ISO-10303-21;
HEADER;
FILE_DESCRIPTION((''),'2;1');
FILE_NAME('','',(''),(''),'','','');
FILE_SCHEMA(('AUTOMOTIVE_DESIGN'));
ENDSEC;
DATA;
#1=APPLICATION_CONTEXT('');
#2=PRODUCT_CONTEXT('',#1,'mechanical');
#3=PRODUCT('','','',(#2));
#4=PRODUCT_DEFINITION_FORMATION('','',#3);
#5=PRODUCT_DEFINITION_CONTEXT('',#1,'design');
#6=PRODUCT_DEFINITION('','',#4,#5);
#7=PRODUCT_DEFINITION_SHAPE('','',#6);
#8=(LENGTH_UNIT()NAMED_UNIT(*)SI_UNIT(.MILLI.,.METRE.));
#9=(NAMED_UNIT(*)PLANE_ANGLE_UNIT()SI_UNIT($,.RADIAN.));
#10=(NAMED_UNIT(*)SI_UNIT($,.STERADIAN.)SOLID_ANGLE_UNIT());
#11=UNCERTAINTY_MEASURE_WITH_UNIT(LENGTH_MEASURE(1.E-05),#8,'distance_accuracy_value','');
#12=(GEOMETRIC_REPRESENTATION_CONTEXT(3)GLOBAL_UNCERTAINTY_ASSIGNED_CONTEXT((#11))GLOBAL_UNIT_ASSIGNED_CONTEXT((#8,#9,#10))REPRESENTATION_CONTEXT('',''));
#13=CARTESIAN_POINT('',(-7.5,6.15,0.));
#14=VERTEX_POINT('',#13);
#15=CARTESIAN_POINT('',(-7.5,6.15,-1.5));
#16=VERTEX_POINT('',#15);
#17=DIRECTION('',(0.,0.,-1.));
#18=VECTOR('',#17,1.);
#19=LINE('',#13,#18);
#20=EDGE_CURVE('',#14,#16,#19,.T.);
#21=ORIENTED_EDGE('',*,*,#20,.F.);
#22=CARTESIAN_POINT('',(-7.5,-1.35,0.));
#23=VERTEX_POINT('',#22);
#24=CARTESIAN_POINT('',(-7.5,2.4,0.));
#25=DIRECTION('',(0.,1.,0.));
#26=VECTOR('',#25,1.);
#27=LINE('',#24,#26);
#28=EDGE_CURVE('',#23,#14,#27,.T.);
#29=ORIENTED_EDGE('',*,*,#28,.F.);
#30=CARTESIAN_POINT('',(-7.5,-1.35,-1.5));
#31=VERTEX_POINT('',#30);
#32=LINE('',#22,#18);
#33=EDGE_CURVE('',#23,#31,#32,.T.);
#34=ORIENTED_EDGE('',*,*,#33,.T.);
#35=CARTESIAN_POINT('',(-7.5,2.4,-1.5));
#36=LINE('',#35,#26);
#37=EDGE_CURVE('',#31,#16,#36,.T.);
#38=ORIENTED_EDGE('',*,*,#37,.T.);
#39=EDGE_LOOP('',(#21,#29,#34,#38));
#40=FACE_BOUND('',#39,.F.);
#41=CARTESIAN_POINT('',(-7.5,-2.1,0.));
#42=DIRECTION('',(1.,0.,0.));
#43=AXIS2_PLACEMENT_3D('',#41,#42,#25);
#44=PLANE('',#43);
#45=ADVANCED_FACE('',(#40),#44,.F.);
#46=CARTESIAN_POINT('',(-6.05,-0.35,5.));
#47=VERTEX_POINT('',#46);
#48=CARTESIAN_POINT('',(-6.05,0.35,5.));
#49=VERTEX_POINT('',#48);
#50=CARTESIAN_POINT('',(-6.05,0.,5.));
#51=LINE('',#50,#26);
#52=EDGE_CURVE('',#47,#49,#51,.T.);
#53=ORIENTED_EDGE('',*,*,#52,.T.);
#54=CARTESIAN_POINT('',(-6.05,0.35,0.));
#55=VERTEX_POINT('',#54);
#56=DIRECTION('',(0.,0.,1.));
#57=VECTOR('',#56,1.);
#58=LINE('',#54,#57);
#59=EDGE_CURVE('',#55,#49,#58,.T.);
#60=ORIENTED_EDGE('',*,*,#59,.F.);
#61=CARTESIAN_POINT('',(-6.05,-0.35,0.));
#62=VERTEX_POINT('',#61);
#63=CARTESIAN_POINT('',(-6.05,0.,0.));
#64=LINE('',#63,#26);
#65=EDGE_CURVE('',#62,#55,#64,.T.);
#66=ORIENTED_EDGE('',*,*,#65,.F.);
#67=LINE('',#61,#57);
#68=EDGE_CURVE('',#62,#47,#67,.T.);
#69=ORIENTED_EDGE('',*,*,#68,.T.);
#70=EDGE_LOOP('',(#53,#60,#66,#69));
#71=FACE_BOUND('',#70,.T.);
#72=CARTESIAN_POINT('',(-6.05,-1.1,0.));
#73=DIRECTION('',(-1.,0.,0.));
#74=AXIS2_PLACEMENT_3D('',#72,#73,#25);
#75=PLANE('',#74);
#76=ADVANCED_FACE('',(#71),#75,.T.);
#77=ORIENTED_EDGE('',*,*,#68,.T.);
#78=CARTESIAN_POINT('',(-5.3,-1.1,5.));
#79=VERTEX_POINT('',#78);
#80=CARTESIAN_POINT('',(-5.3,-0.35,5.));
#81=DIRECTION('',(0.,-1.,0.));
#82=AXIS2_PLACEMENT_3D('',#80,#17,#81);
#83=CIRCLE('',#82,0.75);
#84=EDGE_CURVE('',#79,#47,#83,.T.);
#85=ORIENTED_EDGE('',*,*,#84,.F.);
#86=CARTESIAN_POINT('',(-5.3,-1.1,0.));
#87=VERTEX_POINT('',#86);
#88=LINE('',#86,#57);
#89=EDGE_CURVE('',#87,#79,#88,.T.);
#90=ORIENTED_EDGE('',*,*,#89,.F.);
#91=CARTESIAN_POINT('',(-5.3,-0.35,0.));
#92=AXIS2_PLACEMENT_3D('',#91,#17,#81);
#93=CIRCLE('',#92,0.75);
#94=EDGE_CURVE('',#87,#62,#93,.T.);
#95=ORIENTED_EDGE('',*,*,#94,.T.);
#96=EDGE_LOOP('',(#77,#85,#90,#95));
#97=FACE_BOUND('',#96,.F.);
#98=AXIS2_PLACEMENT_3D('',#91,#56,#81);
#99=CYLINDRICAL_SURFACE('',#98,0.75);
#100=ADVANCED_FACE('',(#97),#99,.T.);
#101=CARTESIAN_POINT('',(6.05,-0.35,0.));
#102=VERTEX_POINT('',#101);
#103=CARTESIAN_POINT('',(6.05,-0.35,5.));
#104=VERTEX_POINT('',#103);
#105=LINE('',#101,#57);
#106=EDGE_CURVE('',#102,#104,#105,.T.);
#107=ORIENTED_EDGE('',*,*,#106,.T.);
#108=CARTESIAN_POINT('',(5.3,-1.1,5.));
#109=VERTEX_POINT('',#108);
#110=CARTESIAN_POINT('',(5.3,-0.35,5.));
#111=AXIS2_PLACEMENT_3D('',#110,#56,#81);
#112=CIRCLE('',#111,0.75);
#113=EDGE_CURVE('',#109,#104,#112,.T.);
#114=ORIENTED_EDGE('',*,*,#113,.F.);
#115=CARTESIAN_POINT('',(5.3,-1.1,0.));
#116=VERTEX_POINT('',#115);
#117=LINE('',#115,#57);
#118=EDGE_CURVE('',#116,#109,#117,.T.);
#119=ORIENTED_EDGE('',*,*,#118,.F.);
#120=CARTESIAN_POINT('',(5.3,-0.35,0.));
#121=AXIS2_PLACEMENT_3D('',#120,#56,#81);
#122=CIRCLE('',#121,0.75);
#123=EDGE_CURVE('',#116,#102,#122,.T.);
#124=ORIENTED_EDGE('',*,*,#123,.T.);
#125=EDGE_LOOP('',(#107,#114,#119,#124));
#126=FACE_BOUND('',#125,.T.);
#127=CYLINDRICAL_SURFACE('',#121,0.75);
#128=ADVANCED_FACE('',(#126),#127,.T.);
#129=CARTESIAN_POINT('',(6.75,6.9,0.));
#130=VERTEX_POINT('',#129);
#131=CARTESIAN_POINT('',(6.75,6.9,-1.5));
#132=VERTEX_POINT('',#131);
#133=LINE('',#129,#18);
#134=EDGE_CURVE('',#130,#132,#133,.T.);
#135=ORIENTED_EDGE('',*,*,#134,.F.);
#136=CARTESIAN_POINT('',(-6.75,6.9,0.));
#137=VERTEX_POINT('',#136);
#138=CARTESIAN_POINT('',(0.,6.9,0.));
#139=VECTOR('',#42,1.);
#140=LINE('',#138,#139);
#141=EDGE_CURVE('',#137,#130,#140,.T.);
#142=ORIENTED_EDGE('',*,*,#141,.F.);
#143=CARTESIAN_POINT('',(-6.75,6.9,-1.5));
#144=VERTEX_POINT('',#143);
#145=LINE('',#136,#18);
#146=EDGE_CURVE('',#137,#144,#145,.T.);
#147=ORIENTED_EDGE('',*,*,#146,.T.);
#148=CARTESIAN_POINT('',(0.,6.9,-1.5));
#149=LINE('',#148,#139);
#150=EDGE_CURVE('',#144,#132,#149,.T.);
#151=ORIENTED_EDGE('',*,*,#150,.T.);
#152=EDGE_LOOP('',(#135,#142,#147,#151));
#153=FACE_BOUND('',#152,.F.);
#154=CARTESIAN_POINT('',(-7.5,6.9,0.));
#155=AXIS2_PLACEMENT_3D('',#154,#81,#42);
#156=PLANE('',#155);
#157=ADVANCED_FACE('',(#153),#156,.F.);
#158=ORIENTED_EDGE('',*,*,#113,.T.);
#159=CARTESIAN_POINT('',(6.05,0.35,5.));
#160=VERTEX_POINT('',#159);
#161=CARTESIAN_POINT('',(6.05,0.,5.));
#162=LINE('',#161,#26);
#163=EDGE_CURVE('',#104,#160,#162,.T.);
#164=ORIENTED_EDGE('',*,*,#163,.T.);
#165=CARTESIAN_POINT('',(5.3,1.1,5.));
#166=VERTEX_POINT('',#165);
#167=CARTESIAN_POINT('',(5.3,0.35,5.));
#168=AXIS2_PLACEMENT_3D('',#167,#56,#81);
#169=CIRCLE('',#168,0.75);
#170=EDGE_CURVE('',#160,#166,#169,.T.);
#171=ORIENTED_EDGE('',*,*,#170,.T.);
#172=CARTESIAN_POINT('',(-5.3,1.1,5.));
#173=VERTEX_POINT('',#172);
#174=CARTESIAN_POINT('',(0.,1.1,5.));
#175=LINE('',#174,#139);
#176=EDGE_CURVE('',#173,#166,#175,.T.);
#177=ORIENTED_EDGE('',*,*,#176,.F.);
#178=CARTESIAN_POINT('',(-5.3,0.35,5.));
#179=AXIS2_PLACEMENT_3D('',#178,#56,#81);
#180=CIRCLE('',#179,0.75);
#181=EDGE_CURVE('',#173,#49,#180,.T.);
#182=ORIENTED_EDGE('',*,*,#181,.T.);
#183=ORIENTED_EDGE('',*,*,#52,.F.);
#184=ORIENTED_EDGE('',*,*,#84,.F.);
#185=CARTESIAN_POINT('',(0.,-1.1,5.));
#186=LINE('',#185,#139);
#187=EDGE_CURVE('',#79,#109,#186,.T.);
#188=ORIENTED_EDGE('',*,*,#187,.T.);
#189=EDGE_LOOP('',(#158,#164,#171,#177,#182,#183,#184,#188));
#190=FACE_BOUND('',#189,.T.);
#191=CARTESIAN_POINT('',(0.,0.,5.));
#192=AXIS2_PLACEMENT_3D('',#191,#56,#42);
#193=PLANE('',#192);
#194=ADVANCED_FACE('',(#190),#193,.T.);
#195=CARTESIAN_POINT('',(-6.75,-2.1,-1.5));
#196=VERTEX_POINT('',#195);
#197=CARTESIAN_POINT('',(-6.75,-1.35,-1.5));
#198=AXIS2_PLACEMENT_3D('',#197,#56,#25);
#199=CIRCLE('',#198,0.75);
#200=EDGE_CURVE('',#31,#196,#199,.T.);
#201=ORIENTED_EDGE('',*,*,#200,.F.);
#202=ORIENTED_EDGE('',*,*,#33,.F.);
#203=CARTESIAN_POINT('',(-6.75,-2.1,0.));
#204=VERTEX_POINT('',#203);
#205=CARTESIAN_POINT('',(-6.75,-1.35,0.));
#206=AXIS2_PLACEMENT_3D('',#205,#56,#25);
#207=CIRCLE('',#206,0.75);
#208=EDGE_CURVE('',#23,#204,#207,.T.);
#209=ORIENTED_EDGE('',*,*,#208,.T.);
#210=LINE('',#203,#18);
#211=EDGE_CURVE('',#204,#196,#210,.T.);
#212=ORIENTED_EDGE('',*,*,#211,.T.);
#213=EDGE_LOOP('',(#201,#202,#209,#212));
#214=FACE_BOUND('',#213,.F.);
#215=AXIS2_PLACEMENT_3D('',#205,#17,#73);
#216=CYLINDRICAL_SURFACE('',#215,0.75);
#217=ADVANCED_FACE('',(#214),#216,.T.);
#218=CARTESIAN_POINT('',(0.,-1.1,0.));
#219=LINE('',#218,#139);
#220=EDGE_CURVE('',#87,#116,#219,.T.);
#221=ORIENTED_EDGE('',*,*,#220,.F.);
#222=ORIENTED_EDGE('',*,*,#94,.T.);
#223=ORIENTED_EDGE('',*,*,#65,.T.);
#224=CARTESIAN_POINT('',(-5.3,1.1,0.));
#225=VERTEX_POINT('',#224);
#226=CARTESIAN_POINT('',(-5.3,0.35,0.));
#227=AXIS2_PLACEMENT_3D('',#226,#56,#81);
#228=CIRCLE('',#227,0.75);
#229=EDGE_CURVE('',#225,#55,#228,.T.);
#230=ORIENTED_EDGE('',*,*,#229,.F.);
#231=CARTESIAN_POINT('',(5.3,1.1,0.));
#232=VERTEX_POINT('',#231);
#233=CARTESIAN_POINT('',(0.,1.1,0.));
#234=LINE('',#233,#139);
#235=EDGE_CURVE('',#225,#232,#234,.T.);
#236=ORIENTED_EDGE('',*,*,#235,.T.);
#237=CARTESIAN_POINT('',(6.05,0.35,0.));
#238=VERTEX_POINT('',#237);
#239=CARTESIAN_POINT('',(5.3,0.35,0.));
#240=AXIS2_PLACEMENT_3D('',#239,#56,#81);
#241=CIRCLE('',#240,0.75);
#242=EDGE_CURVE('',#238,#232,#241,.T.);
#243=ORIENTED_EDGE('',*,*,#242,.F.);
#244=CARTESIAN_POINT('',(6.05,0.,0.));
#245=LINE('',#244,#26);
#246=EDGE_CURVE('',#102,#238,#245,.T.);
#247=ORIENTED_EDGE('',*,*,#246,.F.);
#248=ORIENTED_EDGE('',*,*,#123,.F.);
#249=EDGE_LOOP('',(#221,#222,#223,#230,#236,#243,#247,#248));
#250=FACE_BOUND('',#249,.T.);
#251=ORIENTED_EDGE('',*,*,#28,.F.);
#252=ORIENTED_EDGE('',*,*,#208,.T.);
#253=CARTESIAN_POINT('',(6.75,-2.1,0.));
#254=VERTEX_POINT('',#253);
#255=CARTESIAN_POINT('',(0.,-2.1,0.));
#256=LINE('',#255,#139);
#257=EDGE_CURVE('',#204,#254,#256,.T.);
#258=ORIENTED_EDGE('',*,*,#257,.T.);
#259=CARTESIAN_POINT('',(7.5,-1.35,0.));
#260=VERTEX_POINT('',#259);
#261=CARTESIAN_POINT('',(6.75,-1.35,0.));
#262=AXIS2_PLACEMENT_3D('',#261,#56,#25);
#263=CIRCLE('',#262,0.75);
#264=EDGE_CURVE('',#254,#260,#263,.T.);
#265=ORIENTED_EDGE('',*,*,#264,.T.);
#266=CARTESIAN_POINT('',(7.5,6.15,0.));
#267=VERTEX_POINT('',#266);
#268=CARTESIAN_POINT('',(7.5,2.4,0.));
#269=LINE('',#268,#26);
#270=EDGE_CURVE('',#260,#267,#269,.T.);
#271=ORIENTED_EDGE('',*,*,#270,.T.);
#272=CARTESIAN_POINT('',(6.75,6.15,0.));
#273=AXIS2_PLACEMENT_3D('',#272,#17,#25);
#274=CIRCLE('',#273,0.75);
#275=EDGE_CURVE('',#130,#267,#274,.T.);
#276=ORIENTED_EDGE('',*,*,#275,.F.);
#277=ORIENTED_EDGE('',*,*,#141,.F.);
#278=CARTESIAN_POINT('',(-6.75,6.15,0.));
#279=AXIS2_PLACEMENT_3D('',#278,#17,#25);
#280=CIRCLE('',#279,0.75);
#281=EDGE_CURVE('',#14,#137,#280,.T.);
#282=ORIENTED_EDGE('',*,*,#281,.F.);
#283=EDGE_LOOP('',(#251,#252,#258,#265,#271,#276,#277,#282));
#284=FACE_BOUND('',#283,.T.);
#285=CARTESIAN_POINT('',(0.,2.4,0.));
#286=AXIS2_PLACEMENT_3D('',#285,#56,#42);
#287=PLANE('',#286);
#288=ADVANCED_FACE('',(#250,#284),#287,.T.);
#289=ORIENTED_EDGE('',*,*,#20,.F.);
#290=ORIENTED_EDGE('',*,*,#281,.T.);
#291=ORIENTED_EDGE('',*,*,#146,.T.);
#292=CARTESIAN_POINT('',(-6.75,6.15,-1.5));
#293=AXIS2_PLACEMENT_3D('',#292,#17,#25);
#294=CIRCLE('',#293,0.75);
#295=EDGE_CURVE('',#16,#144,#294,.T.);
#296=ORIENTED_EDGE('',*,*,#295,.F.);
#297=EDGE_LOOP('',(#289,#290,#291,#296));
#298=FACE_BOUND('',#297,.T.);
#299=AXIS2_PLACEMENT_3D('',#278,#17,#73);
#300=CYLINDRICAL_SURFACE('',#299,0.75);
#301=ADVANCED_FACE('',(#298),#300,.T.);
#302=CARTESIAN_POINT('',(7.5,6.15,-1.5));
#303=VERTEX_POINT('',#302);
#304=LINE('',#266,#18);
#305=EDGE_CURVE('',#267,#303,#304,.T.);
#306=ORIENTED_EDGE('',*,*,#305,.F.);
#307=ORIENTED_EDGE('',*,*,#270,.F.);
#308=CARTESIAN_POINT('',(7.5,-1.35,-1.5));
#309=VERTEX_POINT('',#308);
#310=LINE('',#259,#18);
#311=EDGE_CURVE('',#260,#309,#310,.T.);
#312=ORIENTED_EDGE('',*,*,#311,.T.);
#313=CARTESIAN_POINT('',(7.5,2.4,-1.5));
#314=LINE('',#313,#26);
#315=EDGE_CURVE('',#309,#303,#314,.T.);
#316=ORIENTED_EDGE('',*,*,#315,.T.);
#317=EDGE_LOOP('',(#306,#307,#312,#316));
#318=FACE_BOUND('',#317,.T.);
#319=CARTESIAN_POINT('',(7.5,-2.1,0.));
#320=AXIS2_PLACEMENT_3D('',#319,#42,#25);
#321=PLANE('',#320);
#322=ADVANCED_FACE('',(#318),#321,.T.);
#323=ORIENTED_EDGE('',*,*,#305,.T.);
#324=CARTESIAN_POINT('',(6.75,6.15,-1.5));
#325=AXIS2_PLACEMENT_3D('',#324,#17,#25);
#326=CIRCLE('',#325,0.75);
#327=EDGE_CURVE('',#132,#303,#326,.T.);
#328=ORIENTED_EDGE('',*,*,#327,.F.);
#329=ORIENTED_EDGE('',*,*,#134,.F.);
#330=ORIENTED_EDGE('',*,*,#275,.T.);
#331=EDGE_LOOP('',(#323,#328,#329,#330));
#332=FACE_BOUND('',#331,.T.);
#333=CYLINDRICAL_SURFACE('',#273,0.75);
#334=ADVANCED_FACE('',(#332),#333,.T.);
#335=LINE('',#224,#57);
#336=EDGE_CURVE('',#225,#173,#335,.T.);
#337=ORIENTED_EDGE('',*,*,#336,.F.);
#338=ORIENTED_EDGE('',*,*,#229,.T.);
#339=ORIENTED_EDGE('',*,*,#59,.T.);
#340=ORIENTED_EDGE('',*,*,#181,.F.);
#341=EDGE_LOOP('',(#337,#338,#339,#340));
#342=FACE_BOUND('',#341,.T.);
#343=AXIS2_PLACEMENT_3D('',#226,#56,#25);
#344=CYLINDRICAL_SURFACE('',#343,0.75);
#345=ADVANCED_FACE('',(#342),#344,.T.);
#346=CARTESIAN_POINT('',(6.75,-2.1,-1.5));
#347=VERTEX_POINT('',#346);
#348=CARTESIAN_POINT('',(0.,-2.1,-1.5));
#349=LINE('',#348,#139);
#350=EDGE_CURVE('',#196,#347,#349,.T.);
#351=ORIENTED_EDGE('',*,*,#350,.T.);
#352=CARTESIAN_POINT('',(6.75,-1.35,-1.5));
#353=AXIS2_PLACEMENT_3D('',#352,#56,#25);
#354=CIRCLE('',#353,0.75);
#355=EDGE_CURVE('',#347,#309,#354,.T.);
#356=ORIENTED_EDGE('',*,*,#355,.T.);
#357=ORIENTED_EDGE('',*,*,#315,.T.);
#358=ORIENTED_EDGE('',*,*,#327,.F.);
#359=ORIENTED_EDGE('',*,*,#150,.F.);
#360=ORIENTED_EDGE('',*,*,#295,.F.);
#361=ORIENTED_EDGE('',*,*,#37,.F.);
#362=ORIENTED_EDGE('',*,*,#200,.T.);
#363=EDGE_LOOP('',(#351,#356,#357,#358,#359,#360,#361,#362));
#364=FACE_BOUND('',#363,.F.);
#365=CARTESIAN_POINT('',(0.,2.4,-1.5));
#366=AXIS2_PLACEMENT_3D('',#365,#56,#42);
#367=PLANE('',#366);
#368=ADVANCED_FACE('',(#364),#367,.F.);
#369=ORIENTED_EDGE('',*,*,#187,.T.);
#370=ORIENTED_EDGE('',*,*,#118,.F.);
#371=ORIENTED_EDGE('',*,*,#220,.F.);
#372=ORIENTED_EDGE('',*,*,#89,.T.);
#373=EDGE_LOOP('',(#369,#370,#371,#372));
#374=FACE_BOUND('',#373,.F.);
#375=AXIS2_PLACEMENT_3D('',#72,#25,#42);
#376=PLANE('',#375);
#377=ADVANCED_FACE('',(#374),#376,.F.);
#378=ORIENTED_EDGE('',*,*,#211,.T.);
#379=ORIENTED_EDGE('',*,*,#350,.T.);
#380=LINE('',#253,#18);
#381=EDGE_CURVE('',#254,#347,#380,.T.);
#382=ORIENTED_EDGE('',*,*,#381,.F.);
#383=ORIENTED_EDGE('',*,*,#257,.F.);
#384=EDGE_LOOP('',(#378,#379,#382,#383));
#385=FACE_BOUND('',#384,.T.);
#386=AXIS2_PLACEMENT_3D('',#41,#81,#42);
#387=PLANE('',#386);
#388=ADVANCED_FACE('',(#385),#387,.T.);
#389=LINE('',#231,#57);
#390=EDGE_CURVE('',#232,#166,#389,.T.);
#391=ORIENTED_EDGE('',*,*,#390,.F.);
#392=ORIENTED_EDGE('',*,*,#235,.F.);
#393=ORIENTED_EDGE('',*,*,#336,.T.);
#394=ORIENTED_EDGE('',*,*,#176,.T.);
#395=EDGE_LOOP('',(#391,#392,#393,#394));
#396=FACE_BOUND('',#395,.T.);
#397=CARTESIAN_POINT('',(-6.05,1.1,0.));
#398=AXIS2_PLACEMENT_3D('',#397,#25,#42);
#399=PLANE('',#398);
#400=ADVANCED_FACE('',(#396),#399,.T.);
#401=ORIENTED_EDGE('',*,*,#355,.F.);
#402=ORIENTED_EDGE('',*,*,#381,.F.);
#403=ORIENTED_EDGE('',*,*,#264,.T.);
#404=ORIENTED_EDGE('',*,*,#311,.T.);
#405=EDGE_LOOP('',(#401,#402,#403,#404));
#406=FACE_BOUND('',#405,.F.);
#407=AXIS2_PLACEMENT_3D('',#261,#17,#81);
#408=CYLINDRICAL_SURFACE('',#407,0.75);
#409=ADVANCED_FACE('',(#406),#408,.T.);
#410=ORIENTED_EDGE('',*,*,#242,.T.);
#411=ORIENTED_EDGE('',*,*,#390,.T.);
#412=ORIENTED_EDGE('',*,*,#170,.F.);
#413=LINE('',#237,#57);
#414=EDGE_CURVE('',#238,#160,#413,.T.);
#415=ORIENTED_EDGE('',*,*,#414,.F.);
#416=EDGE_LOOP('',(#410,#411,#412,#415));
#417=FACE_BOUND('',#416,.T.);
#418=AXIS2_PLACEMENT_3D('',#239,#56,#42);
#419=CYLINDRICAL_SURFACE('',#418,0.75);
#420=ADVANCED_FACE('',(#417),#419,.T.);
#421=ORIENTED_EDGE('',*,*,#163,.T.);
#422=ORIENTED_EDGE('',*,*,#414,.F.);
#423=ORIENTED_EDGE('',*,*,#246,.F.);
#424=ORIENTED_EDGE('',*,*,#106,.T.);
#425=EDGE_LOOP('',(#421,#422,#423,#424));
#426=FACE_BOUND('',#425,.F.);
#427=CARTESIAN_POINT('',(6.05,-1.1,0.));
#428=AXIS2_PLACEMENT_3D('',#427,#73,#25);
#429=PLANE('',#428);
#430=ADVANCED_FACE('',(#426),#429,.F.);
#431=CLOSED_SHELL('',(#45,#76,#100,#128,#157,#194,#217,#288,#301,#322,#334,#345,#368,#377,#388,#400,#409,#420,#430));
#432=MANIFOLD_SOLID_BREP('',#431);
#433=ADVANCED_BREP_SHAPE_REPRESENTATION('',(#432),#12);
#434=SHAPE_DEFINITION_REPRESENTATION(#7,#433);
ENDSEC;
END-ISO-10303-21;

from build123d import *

# Parameters (mm, degrees)
F0_W     = 12.1
F0_H     = 2.2
F1_DEPTH = 5
F0_W_2   = 15
F0_H_2   = 9
F2_DEPTH = 1.5
F3_R     = 0.75


with BuildPart() as f1:
    # F0 (on Top) → F1 (new body)
    with BuildSketch(Plane.XY):
        Rectangle(F0_W, F0_H)
    extrude(amount=F1_DEPTH)

    # F0 (on Top) → F2 (join)
    with BuildSketch(Plane.XY):
        with Locations((0, 2.4)):
            Rectangle(F0_W_2, F0_H_2)
        Rectangle(F0_W, F0_H, mode=Mode.SUBTRACT)
        Rectangle(F0_W, F0_H)
    extrude(amount=-F2_DEPTH)

    # F3
    f3_edges = [f1.edges().sort_by_distance(p)[0] for p in [
        (-6.05, 1.1, 2.5),
        (-6.05, -1.1, 2.5),
        (6.05, 1.1, 2.5),
        (6.05, -1.1, 2.5),
        (7.5, -2.1, -0.75),
        (7.5, 6.9, -0.75),
        (-7.5, 6.9, -0.75),
        (-7.5, -2.1, -0.75),
    ]]
    fillet(f3_edges, radius=F3_R)


solid = f1.part
